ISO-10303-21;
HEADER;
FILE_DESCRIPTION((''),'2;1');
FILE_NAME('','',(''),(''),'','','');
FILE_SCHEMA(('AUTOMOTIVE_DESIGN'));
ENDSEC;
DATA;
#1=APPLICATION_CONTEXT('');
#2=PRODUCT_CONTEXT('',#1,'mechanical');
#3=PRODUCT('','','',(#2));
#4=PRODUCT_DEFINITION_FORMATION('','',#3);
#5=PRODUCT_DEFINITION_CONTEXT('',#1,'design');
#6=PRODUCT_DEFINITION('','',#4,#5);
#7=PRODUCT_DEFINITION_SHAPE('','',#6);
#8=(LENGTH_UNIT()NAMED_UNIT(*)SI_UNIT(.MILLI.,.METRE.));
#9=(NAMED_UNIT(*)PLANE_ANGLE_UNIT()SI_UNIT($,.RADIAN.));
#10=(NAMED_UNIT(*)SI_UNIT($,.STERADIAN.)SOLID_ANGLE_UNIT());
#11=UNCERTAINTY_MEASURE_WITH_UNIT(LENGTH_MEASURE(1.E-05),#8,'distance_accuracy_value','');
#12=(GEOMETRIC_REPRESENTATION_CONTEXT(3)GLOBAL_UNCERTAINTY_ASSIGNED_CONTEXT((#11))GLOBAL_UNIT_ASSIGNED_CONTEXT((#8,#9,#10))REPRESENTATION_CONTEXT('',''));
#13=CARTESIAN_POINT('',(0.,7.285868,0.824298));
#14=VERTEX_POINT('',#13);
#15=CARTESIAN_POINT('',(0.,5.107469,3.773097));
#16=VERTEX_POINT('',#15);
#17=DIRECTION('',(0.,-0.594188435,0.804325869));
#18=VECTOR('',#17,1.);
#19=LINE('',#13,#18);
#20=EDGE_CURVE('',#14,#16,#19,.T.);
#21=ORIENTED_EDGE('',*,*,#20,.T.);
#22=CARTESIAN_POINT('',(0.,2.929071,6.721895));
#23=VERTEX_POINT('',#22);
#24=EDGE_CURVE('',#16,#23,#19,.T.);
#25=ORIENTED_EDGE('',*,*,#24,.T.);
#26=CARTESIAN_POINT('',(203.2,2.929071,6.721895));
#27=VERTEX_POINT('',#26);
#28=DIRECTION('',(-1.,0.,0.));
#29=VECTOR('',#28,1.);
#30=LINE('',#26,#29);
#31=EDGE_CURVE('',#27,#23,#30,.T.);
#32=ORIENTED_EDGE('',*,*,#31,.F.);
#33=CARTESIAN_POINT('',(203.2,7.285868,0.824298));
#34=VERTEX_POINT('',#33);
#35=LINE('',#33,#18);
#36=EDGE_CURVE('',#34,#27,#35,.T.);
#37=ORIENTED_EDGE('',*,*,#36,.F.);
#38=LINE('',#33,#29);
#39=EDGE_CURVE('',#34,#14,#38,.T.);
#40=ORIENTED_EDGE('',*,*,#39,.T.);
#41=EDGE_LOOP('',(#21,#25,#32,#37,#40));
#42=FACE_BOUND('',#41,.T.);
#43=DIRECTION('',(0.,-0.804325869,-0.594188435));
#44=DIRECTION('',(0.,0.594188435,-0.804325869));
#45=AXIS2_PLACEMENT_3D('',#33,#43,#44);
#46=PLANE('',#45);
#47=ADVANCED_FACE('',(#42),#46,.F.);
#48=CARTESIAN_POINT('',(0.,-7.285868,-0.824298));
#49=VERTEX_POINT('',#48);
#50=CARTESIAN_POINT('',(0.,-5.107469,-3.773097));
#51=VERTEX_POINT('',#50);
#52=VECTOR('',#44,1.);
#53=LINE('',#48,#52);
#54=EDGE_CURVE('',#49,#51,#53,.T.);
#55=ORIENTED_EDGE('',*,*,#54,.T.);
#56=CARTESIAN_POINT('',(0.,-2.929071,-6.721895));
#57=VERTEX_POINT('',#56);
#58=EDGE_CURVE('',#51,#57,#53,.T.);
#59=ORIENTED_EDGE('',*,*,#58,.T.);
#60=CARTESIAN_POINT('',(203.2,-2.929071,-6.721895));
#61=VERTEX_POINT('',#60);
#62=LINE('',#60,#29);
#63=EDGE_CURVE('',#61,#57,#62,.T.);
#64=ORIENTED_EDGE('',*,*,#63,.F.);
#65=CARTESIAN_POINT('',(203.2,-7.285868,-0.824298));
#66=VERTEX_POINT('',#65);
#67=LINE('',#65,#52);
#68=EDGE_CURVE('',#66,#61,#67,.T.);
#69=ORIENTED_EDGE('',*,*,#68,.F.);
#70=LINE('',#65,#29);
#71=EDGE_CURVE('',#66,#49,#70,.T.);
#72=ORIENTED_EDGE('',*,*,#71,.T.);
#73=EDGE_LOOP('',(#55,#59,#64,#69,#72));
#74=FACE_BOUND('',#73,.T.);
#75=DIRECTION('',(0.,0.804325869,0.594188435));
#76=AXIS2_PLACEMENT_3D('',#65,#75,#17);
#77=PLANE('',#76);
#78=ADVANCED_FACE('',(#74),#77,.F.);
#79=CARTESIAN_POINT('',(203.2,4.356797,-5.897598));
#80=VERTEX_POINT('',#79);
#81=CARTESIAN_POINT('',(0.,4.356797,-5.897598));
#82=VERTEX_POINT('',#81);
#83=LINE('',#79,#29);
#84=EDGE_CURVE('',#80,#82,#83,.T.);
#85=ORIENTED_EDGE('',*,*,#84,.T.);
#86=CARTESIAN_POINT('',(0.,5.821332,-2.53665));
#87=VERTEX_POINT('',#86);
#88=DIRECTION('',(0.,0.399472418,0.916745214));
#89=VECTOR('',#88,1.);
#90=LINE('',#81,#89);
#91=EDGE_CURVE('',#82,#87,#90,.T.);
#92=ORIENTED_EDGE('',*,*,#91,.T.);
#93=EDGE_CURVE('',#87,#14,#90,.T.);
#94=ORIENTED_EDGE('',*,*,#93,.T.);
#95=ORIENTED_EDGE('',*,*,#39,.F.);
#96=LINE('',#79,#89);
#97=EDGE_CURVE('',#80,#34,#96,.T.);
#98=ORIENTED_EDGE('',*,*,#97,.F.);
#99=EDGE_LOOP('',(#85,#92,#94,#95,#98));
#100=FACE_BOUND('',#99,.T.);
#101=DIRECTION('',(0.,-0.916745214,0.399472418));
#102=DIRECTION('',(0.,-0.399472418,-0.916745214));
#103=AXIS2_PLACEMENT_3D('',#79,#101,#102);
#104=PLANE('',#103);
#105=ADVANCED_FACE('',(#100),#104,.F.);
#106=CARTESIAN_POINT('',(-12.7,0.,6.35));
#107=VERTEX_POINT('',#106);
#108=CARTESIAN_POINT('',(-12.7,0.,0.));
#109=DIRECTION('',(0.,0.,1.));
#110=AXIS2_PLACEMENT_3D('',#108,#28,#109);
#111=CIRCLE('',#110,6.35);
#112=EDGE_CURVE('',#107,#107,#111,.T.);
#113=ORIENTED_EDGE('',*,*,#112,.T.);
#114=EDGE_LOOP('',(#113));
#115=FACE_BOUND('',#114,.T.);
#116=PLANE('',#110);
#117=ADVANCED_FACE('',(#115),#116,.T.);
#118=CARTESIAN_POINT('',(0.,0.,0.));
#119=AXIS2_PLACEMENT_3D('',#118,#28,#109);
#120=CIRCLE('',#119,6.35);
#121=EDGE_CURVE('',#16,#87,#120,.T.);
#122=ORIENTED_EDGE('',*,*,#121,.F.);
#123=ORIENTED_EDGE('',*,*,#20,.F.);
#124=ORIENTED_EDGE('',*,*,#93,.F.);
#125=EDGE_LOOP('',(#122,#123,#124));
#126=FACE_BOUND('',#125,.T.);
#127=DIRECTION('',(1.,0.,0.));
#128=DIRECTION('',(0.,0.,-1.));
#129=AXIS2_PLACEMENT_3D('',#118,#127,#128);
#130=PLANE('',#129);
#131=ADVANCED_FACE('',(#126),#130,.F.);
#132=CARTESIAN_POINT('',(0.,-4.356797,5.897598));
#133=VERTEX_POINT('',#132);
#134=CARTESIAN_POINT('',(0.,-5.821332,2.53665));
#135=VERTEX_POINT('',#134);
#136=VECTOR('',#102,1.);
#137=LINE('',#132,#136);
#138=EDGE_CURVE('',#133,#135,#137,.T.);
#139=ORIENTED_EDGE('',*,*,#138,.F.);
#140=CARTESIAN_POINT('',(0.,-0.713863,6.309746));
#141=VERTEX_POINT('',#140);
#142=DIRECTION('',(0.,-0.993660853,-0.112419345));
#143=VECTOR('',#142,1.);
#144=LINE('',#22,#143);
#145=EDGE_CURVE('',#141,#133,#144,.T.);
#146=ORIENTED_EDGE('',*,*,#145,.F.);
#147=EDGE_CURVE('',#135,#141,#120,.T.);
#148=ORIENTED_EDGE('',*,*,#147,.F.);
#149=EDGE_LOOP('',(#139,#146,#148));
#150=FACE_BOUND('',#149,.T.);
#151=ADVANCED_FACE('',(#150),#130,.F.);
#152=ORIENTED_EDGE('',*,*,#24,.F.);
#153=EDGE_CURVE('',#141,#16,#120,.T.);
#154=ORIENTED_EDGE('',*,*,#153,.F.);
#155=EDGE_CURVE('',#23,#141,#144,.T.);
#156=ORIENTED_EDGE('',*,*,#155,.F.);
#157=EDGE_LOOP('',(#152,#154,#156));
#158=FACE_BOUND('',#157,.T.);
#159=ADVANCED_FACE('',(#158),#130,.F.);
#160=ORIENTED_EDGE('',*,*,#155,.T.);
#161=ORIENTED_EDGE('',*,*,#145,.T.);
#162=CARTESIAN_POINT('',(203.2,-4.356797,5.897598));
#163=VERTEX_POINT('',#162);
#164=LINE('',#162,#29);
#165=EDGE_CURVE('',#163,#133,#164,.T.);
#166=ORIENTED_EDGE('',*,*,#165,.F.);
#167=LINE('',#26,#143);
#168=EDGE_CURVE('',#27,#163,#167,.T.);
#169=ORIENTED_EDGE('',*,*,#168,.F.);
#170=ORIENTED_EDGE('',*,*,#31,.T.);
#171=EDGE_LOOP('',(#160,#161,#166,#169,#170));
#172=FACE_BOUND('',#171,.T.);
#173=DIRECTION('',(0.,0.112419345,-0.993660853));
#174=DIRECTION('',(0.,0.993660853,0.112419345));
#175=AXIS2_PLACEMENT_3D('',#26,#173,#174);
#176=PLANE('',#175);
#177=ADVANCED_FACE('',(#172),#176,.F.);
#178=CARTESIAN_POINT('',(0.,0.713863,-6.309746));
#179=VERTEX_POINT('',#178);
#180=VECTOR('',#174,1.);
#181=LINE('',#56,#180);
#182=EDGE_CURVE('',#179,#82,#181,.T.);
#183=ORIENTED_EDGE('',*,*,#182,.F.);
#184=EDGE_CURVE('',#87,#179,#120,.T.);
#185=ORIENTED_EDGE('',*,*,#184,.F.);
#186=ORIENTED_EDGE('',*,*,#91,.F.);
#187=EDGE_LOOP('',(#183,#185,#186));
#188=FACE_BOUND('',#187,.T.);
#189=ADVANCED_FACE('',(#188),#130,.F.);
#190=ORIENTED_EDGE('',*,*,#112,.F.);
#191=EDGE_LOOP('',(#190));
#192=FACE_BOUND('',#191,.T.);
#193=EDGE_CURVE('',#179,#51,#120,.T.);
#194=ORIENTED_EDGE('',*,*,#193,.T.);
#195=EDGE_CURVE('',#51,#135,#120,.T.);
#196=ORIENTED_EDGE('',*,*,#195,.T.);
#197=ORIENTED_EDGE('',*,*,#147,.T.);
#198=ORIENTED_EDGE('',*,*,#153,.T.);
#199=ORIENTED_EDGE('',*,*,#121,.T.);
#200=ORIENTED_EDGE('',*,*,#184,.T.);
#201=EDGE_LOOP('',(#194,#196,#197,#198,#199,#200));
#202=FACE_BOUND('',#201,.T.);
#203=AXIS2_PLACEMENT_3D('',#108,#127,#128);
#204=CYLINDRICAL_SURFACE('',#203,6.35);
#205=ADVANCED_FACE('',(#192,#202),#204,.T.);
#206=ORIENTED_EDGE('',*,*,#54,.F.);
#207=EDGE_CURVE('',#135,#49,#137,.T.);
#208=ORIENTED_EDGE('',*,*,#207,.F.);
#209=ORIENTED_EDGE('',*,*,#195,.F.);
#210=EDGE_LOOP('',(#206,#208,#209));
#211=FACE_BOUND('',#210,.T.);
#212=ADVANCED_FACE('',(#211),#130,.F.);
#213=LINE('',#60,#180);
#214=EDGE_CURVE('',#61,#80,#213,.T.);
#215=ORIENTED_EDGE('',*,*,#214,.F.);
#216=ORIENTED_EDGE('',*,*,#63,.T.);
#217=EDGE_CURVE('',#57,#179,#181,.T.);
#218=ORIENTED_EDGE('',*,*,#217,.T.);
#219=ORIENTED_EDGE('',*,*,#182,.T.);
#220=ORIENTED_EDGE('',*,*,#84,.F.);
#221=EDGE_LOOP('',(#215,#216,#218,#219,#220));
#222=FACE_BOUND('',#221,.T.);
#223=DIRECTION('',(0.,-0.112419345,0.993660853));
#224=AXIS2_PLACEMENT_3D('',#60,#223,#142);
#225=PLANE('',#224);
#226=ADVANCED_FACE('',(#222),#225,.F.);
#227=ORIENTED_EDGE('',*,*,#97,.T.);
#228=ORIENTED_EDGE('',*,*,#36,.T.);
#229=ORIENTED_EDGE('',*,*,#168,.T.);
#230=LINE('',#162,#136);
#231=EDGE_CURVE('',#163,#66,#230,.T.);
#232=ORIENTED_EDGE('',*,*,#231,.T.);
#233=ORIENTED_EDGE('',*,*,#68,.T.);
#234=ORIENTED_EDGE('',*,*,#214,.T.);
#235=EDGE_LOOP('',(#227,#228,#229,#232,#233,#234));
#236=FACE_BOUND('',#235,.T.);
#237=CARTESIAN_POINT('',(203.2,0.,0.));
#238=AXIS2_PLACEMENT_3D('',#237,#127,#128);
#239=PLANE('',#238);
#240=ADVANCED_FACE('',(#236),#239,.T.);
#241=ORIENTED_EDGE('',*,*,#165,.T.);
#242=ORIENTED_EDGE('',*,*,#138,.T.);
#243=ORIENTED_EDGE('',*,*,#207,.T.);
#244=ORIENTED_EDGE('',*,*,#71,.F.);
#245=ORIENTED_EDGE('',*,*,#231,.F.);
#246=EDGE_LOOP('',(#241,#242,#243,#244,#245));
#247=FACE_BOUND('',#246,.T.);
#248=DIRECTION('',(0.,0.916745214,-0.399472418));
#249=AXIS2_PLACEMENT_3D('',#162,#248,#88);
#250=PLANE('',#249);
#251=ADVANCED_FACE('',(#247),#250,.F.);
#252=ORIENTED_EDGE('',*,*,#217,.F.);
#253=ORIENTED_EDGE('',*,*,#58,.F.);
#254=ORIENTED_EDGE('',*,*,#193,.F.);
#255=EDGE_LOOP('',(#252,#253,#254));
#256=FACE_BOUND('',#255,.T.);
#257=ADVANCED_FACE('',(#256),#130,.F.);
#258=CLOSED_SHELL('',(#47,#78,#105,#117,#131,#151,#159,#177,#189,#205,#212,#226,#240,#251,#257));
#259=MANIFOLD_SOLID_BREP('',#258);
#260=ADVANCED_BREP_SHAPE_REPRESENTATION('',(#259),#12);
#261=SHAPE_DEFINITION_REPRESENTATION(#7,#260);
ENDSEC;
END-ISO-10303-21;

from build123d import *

# Parameters (mm, degrees)
BOSS_EXTRUDE1_DEPTH = 203.2
SKETCH2_R           = 6.35
BOSS_EXTRUDE2_DEPTH = 12.7


with BuildPart() as part:
    # Sketch1 → Boss-Extrude1 (new body)
    with BuildSketch(Plane(origin=(0, 0, 0), x_dir=(0, 0, -1), z_dir=(1, 0, 0))):
        Polygon((6.72189532, -2.929070951), (5.897597513, 4.356796634), (-0.824297807, 7.285867584), (-6.72189532, 2.929070951), (-5.897597513, -4.356796634), (0.824297807, -7.285867584), align=None)
    extrude(amount=BOSS_EXTRUDE1_DEPTH)

    # Sketch2 → Boss-Extrude2 (add)
    with BuildSketch(Plane.ZY):
        Circle(SKETCH2_R)
    extrude(amount=BOSS_EXTRUDE2_DEPTH)


solid = part.part
